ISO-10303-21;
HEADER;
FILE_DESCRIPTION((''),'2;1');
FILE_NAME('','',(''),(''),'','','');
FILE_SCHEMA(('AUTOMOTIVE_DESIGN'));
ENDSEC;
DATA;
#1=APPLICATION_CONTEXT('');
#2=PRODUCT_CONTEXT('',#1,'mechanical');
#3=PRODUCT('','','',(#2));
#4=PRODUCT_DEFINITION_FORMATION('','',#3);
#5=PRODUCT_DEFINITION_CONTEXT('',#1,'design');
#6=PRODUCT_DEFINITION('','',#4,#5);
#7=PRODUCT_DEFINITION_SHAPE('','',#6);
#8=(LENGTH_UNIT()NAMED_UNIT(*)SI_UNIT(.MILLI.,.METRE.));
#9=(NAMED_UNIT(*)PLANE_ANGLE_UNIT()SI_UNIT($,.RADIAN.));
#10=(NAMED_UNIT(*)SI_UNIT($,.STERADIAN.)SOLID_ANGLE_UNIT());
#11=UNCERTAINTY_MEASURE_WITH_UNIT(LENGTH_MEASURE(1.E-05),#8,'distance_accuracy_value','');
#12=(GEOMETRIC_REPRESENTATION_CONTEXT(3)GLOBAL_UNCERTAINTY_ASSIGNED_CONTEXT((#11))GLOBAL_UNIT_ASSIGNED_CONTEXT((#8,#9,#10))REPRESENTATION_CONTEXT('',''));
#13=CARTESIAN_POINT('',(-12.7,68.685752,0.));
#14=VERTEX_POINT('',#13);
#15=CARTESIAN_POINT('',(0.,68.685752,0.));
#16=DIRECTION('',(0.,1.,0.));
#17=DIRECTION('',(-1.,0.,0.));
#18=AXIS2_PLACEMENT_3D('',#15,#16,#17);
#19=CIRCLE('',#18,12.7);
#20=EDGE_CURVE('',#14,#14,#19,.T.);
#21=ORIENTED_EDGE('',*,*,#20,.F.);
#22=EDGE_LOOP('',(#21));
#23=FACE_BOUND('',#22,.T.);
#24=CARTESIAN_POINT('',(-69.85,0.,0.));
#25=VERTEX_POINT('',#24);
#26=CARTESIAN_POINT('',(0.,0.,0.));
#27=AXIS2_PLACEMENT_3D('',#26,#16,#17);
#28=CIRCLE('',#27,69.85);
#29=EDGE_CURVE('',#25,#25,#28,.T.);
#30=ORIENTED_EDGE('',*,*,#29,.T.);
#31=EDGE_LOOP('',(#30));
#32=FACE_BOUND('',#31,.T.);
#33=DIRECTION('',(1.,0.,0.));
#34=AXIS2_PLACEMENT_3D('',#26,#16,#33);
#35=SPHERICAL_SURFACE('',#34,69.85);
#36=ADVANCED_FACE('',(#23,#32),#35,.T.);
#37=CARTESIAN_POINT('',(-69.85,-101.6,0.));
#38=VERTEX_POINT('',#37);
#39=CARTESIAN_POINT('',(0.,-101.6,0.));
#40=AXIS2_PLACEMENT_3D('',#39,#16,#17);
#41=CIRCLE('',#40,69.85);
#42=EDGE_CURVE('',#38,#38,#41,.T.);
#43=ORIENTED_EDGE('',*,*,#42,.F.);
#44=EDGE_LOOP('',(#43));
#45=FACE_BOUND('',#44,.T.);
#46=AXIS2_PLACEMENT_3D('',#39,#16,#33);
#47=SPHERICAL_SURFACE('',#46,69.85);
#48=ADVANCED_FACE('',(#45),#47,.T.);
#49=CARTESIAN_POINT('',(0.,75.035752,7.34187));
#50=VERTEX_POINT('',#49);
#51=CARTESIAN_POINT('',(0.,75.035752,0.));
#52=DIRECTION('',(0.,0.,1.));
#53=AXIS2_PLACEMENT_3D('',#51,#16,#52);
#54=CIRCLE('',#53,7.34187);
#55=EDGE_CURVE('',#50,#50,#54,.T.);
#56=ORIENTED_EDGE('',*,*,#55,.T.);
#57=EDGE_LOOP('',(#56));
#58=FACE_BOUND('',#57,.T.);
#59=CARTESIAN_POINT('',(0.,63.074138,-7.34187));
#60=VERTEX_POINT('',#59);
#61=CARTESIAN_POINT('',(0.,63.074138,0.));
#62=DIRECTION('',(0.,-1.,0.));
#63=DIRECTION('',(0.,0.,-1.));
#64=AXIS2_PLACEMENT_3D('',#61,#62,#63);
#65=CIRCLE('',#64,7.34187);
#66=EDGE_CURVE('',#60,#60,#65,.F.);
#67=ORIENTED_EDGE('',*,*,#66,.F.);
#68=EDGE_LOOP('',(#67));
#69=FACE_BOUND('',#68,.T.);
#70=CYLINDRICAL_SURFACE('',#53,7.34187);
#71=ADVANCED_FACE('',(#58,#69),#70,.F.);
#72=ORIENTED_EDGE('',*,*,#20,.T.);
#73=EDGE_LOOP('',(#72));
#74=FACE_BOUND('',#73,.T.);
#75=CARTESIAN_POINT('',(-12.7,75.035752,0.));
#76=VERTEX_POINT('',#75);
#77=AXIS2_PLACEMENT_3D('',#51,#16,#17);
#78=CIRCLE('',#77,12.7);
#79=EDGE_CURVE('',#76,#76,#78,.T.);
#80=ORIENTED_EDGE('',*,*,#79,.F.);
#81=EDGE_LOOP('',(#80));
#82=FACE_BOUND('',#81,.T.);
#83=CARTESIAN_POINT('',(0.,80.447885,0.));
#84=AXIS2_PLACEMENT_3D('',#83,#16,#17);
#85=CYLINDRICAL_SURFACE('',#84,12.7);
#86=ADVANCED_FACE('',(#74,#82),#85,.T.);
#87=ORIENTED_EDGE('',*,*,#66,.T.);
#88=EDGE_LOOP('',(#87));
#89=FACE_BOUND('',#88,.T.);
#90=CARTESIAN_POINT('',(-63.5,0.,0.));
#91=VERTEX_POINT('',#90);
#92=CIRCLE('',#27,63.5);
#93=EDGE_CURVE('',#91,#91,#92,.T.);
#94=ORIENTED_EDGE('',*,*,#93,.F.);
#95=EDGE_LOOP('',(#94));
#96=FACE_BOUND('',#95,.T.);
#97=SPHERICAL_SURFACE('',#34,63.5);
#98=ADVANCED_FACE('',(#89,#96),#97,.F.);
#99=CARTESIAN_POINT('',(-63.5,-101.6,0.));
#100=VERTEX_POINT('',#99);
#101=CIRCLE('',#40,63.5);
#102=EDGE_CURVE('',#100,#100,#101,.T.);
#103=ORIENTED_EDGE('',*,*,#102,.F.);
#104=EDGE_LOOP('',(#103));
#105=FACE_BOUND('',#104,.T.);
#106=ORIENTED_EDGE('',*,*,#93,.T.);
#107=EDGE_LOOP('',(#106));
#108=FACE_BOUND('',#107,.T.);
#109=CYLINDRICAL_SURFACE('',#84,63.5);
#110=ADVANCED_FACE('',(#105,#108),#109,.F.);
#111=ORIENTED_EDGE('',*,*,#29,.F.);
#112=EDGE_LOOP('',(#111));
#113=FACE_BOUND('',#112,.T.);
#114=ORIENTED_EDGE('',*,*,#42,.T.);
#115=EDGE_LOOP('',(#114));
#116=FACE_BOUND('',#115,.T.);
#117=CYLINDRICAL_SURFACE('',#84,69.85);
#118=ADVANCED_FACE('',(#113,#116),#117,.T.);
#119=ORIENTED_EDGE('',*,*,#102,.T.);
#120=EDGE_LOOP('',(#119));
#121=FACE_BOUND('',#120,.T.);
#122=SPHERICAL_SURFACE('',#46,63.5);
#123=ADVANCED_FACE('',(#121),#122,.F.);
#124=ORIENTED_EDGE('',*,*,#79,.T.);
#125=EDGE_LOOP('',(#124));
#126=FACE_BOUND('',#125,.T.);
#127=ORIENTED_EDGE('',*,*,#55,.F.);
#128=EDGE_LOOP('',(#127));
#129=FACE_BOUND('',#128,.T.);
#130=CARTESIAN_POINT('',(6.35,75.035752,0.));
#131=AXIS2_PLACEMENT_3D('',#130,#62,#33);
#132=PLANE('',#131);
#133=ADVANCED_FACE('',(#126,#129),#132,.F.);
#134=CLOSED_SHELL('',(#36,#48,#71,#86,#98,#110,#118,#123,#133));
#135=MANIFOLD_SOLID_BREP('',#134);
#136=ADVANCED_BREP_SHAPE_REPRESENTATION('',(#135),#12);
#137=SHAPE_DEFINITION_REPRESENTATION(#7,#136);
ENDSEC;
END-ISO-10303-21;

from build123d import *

# Parameters (mm, degrees)
F_5_8_18_TAPPED_HOLE2_D     = 14.68374
F_5_8_18_TAPPED_HOLE2_DEPTH = 38.862
F_5_8_18_TAPPED_HOLE2_TIP   = 4.411440553


with BuildPart() as part:
    # Sketch4 → Revolve1 (revolve)
    with BuildSketch(Plane.XY, mode=Mode.PRIVATE) as revolve1_sk:
        with BuildLine():
            Line((12.7, 75.035751798), (12.7, 68.685751798))
            ThreePointArc((12.7, 68.685751798), (53.694122118, 44.676210112), (69.85, 0))
            Line((69.85, 0), (69.85, -101.6))
            ThreePointArc((69.85, -101.6), (49.391408666, -150.991408666), (0, -171.45))
            Line((0, -171.45), (0, -165.1))
            ThreePointArc((0, -165.1), (44.901280605, -146.501280605), (63.5, -101.6))
            Line((63.5, -101.6), (63.5, 0))
            ThreePointArc((63.5, 0), (47.092860393, 42.597094971), (6.35, 63.181702256))
            ThreePointArc((6.35, 63.181702256), (4.447011473, 63.344092771), (2.54, 63.449179664))
            Line((2.54, 63.449179664), (2.54, 75.035751798))
            Line((2.54, 75.035751798), (6.35, 75.035751798))
            Line((6.35, 75.035751798), (12.7, 75.035751798))
        make_face()
    revolve(revolve1_sk.sketch.rotate(Axis((0, 80.447885323, 0), (0, -1, 0)), 180), axis=Axis((0, 80.447885323, 0), (0, -1, 0)))

    # 5/8-18 Tapped Hole2
    with Locations(Plane(origin=(0, 75.035751798, 0), x_dir=(1, 0, 0), z_dir=(0, 1, 0))):
        with Locations((0, 0)):
            Hole(F_5_8_18_TAPPED_HOLE2_D / 2, depth=F_5_8_18_TAPPED_HOLE2_DEPTH)
            with Locations((0, 0, -(F_5_8_18_TAPPED_HOLE2_DEPTH + F_5_8_18_TAPPED_HOLE2_TIP / 2))):  # 118° drill point
                Cone(0, F_5_8_18_TAPPED_HOLE2_D / 2, F_5_8_18_TAPPED_HOLE2_TIP, mode=Mode.SUBTRACT)


solid = part.part
